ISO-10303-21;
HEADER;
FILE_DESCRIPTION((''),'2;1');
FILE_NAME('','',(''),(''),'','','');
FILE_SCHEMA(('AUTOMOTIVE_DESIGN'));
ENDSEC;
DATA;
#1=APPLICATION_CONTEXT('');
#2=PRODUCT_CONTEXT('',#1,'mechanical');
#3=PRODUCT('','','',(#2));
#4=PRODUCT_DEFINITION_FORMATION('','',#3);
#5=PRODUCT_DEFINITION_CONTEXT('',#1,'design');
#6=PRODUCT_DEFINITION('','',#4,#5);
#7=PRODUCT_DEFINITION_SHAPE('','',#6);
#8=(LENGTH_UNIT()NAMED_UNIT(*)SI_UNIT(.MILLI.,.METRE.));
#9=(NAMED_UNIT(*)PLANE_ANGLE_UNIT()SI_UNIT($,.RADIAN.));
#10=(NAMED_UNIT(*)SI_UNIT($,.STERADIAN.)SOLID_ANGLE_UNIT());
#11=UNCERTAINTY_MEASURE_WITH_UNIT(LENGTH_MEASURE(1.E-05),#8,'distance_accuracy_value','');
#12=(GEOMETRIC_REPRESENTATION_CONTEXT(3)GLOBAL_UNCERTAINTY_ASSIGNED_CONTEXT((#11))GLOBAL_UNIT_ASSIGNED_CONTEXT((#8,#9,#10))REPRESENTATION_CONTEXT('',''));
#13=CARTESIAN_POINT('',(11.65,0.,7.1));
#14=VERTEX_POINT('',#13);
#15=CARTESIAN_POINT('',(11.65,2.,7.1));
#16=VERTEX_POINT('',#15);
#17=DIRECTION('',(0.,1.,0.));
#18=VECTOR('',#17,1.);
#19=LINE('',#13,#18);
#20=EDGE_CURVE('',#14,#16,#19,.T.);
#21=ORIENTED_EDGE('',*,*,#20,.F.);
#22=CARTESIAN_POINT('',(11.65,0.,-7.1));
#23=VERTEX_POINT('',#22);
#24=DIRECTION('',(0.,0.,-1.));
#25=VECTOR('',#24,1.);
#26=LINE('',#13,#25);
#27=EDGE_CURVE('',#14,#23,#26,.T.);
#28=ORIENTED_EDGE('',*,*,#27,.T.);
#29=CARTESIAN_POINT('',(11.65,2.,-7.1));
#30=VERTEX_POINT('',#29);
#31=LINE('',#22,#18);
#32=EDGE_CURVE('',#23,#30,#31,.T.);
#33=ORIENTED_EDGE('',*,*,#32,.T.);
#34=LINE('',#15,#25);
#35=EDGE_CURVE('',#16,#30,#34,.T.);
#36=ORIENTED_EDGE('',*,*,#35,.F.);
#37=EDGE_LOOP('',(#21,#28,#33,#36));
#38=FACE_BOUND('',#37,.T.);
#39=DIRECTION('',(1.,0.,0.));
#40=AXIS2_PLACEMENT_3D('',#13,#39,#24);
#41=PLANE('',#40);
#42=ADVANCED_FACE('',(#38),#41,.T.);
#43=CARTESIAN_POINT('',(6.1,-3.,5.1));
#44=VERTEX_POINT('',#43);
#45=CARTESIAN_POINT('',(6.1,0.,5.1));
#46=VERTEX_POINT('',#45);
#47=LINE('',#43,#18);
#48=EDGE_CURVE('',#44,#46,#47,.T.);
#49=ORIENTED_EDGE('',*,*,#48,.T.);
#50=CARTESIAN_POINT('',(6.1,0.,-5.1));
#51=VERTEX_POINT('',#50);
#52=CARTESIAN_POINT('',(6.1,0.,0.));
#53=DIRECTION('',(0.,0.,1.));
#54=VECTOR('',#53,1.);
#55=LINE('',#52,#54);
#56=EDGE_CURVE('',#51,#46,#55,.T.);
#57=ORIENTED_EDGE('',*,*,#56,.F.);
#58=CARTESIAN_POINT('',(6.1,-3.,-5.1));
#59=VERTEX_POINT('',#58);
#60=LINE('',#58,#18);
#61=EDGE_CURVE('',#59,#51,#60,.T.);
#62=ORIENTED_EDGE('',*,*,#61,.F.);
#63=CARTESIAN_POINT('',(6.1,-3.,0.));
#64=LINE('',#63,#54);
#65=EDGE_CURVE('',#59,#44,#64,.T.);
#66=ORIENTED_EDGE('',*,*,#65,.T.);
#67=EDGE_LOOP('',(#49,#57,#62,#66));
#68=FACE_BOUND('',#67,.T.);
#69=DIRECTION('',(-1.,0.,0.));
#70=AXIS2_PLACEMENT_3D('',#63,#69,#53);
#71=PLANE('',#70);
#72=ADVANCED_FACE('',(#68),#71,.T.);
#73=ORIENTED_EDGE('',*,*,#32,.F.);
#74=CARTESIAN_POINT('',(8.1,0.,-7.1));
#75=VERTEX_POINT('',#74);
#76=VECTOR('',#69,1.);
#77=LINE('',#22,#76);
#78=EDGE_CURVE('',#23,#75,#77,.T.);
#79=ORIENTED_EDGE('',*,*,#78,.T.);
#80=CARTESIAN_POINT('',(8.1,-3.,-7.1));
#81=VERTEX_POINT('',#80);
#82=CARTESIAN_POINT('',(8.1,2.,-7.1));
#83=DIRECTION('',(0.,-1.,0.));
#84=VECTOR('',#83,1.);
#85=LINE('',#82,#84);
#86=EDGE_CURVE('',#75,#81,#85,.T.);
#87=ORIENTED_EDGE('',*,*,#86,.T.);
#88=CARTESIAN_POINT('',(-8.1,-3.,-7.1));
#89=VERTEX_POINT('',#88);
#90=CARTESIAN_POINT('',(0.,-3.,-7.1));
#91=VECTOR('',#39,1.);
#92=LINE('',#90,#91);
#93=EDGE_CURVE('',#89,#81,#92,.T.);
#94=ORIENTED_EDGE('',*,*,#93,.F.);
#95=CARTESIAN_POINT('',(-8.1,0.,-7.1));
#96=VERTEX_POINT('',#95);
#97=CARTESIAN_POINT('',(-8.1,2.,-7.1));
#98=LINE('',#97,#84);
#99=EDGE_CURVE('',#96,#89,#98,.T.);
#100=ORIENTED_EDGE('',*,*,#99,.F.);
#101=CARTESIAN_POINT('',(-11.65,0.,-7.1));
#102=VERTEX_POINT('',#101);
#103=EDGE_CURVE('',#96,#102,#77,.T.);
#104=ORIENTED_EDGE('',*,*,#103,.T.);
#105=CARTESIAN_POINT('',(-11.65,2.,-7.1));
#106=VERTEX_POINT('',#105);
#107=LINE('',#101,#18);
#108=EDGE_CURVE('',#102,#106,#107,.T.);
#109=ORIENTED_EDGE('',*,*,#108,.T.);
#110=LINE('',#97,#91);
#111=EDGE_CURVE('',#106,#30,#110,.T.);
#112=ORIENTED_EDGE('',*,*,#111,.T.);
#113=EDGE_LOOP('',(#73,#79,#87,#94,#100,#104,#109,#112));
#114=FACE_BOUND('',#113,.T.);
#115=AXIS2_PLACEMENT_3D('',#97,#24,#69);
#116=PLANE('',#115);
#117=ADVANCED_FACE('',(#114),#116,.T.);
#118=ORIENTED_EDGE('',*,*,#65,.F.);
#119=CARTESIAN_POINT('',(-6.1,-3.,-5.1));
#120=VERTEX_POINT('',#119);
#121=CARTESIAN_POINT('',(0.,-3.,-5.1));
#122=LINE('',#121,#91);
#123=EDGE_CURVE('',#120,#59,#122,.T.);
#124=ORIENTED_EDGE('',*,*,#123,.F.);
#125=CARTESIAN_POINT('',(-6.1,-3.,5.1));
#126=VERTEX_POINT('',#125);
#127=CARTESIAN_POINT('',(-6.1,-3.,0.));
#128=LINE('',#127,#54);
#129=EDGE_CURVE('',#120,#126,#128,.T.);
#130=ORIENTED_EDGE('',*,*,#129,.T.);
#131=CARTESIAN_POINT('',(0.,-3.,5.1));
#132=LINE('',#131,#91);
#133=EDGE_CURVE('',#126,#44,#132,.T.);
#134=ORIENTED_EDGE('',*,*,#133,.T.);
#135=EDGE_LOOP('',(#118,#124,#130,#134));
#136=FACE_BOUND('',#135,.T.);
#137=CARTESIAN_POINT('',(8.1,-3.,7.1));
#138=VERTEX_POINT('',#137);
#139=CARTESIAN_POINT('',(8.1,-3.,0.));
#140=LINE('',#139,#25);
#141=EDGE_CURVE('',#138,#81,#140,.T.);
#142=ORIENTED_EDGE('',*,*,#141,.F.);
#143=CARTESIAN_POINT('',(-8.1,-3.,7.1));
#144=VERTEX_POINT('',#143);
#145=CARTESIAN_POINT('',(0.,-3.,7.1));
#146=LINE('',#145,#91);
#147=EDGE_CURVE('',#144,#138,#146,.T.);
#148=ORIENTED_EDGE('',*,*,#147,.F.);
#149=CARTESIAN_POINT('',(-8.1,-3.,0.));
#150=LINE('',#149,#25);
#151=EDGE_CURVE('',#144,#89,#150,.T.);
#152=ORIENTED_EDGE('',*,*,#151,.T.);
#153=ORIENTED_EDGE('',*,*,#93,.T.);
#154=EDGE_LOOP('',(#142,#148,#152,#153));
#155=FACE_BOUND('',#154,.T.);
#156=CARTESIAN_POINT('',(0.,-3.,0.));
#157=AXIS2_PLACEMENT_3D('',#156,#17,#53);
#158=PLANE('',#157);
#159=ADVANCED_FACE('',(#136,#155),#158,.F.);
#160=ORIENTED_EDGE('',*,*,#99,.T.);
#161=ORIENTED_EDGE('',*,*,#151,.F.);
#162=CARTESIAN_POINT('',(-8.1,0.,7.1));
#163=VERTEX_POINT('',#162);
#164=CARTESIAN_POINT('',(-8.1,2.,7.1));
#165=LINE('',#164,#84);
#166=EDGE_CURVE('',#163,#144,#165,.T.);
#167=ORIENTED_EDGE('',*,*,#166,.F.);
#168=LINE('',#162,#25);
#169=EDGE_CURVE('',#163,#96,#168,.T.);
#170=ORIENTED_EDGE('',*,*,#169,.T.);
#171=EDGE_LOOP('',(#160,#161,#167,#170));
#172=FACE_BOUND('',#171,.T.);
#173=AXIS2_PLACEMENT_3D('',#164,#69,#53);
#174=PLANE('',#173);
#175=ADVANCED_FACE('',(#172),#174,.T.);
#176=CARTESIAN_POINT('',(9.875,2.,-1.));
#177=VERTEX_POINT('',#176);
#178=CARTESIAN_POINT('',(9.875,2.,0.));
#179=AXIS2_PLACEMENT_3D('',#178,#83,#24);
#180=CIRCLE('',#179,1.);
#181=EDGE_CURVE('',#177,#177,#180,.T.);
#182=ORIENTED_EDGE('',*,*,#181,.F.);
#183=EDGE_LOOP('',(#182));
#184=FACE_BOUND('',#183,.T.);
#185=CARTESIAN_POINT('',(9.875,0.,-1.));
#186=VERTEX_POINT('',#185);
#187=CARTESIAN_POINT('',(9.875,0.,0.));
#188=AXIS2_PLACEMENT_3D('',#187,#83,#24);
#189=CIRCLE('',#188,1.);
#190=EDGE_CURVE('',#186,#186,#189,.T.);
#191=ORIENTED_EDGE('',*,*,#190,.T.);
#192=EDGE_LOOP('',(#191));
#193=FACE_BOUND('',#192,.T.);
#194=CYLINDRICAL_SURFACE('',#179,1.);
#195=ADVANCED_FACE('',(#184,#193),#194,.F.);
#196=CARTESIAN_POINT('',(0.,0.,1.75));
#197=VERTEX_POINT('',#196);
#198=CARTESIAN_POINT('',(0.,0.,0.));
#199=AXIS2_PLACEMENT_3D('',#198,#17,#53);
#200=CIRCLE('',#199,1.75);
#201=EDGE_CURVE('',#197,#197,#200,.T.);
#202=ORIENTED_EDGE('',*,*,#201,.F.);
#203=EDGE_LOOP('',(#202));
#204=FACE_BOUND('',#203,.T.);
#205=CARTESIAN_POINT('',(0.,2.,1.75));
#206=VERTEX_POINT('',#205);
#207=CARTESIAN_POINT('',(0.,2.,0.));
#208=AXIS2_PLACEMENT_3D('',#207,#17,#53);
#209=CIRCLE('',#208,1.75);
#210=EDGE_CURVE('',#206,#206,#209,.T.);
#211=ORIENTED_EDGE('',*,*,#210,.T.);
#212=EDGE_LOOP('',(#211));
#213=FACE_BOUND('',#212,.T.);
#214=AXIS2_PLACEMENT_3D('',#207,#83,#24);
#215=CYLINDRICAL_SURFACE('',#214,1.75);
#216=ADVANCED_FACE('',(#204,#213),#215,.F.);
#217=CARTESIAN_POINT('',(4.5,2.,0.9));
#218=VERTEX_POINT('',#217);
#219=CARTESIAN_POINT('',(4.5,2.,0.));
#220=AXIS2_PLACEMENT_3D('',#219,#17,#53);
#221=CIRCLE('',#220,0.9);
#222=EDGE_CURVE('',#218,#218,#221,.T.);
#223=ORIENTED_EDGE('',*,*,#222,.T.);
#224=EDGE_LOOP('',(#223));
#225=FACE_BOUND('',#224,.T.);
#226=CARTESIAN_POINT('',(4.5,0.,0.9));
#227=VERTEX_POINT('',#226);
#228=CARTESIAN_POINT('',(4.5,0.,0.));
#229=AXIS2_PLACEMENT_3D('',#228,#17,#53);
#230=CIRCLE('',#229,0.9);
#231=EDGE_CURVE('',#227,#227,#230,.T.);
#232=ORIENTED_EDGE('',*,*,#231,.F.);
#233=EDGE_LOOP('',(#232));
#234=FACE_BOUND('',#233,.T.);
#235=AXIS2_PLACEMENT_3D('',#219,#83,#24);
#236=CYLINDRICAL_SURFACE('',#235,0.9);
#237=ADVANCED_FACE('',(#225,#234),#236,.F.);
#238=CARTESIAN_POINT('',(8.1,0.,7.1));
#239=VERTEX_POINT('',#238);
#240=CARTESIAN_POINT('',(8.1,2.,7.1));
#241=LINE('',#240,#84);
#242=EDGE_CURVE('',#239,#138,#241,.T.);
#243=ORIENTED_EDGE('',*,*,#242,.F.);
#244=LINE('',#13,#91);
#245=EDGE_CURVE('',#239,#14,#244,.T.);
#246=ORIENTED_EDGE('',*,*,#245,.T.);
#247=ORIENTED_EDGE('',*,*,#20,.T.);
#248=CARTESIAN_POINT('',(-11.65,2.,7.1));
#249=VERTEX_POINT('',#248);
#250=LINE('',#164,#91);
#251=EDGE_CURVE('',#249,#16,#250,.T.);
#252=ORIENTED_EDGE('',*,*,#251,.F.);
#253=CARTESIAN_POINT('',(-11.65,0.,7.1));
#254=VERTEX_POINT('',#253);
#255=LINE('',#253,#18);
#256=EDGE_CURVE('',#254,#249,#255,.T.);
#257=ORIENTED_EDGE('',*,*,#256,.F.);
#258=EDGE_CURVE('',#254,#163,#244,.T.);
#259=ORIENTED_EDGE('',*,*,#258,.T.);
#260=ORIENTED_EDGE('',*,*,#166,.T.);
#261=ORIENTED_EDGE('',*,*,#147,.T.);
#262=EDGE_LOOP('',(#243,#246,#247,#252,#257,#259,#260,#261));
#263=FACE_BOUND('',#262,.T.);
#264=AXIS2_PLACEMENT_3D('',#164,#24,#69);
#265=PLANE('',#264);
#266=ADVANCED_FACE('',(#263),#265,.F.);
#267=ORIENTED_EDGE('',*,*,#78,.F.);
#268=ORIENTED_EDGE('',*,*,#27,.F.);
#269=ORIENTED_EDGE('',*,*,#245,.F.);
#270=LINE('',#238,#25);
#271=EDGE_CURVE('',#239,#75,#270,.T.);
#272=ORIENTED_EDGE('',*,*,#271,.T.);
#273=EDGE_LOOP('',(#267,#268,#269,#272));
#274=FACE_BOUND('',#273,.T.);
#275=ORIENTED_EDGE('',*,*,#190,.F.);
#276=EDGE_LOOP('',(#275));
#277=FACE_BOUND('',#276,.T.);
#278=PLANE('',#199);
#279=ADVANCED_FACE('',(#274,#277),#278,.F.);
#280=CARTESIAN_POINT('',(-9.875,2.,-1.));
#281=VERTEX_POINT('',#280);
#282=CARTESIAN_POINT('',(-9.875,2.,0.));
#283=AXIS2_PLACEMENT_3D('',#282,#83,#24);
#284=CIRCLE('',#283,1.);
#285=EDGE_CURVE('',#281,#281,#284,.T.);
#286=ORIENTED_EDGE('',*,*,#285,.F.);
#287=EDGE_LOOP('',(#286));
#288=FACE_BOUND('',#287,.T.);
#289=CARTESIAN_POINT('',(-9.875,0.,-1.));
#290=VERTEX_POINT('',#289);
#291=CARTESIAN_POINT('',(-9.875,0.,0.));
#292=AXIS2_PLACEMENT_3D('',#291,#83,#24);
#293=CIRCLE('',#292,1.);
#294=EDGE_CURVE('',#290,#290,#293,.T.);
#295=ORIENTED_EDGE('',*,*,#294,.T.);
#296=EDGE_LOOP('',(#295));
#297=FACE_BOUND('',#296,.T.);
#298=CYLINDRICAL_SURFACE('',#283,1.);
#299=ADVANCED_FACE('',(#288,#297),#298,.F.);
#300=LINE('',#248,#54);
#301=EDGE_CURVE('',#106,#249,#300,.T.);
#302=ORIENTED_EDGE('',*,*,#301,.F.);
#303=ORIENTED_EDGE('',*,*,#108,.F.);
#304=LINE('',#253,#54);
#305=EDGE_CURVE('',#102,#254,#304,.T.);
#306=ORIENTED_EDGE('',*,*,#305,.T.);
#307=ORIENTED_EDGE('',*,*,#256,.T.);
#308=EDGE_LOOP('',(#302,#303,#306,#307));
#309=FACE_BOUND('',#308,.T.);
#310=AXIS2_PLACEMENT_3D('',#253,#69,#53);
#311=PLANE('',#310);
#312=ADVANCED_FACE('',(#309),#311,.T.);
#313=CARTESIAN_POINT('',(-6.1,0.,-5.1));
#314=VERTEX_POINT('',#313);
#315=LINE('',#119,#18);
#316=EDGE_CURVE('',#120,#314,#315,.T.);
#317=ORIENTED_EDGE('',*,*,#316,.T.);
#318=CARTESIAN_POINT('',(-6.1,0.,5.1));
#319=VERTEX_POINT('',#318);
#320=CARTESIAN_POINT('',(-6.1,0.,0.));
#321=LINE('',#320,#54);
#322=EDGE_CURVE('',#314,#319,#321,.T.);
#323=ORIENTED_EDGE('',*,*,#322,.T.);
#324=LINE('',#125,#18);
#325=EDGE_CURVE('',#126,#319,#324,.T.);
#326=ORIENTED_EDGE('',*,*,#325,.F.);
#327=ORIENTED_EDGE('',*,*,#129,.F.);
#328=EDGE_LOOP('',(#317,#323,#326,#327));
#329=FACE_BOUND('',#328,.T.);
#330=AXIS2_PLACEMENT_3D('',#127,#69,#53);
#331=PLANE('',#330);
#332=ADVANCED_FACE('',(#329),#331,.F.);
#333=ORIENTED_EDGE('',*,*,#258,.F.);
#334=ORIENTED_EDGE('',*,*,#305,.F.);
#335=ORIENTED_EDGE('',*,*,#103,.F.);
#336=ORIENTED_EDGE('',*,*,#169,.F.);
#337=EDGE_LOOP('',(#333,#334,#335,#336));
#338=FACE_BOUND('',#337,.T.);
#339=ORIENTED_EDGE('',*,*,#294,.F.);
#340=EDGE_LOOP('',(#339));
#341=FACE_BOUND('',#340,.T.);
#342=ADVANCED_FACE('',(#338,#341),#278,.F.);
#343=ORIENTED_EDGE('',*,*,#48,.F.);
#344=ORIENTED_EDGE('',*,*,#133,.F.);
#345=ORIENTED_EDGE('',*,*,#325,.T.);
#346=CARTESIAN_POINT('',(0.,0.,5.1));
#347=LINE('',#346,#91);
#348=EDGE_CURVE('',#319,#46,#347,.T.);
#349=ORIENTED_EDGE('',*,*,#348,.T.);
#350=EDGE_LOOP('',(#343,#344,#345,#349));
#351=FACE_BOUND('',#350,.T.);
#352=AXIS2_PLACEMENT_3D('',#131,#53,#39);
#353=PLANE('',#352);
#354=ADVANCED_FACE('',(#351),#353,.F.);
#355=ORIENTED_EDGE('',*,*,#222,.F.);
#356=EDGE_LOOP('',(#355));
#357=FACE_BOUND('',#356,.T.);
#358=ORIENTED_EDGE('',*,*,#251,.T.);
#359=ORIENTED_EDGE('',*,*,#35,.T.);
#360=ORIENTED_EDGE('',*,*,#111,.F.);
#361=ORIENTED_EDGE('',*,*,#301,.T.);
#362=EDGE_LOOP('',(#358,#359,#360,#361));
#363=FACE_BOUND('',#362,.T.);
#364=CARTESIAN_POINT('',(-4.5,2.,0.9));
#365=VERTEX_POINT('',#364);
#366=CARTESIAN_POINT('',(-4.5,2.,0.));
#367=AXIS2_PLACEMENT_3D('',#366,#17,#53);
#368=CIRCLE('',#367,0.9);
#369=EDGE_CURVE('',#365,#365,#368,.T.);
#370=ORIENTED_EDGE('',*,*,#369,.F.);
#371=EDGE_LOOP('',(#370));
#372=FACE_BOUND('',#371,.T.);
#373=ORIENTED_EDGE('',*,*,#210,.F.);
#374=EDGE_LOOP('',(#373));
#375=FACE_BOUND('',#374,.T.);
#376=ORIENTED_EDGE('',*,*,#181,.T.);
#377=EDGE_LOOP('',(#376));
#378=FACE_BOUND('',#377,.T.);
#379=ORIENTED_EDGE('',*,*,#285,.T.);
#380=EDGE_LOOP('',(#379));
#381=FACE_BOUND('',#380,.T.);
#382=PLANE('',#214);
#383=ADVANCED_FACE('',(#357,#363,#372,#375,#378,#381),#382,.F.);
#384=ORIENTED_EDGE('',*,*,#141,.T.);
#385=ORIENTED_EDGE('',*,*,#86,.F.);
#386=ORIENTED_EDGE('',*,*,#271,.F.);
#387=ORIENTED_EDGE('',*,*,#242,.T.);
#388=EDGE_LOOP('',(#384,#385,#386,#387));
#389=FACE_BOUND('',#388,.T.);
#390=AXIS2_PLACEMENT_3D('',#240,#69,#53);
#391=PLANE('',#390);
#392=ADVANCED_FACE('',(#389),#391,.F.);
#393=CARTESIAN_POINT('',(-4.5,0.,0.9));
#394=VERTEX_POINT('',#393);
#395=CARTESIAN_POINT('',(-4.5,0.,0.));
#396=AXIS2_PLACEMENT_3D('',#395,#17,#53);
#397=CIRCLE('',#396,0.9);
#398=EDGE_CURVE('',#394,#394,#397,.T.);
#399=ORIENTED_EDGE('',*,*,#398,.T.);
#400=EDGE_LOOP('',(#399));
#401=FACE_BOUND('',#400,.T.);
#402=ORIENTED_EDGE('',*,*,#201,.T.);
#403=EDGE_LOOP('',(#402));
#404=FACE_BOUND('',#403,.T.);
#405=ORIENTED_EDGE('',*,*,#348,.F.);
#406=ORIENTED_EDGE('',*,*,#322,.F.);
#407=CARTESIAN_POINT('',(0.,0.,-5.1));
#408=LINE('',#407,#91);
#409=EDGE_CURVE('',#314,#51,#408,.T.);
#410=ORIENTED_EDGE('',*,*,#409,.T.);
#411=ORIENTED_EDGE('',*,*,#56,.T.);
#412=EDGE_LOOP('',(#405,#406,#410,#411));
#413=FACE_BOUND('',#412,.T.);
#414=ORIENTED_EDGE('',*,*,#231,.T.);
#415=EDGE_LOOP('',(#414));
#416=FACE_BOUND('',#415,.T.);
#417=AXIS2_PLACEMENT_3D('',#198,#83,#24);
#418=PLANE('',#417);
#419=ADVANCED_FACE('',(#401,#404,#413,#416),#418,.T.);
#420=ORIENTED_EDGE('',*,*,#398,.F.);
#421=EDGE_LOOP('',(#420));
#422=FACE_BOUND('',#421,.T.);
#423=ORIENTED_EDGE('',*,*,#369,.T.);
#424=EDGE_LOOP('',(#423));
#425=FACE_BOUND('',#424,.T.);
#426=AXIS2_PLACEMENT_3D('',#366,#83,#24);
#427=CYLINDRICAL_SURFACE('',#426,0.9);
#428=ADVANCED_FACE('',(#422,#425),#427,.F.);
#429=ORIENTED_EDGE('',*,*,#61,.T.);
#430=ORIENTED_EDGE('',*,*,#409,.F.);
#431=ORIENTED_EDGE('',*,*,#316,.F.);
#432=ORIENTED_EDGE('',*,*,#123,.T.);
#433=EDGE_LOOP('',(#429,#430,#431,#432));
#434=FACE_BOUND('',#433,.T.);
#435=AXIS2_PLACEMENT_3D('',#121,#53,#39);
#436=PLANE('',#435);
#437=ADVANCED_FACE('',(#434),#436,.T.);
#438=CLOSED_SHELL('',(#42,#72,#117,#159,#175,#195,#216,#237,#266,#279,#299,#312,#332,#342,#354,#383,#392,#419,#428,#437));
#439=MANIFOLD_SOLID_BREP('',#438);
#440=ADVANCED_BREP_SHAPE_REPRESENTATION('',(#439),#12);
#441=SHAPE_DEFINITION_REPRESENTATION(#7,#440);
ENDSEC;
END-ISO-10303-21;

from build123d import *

# Parameters (mm, degrees)
SKETCH_4_W          = 16.2
SKETCH_4_H          = 14.2
SKETCH_4_R          = 0.9
SKETCH_4_R_2        = 1.75
EXTRUDE_1_DEPTH     = 2
SKETCH_4_8_W        = 16.2
SKETCH_4_8_H        = 14.2
SKETCH_4_8_W_2      = 12.2
SKETCH_4_8_H_2      = 10.2
EXTRUDE_2_DEPTH     = 3
SKETCH_5_W          = 23.3
SKETCH_5_H          = 14.2
SKETCH_5_W_2        = 12.2
SKETCH_5_H_2        = 10.2
EXTRUDE_3_DEPTH     = 2
SKETCH_6_R          = 1
CUT_EXTRUDE_1_DEPTH = 14.968983499


with BuildPart() as part:
    # 草图4 → 凸台-拉伸1 (new body)
    with BuildSketch(Plane(origin=(0, 0, 0), x_dir=(1, 0, 0), z_dir=(0, 1, 0))):
        Rectangle(SKETCH_4_W, SKETCH_4_H)
        with Locations((4.5, 0)):
            Circle(SKETCH_4_R, mode=Mode.SUBTRACT)
        with Locations((-4.5, 0)):
            Circle(SKETCH_4_R, mode=Mode.SUBTRACT)
        Circle(SKETCH_4_R_2, mode=Mode.SUBTRACT)
    extrude(amount=EXTRUDE_1_DEPTH)

    # 草图4<8> → 凸台-拉伸2 (add)
    with BuildSketch(Plane(origin=(0, 0, 0), x_dir=(1, 0, 0), z_dir=(0, 1, 0))):
        Rectangle(SKETCH_4_8_W, SKETCH_4_8_H)
        Rectangle(SKETCH_4_8_W_2, SKETCH_4_8_H_2, mode=Mode.SUBTRACT)
    extrude(amount=-EXTRUDE_2_DEPTH)

    # 草图5 → 凸台-拉伸3 (add)
    with BuildSketch(Plane(origin=(0, 2, 0), x_dir=(1, 0, 0), z_dir=(0, 1, 0))):
        Rectangle(SKETCH_5_W, SKETCH_5_H)
        Rectangle(SKETCH_5_W_2, SKETCH_5_H_2, mode=Mode.SUBTRACT)
    extrude(amount=-EXTRUDE_3_DEPTH)

    # 草图6 → 切除-拉伸1 (cut, through all)
    with BuildSketch(Plane(origin=(0, 0, 0), x_dir=(-1, 0, 0), z_dir=(0, -1, 0))):
        with Locations((-9.875, 0)):
            Circle(SKETCH_6_R)
        with Locations((9.875, 0)):
            Circle(SKETCH_6_R)
    extrude(amount=-CUT_EXTRUDE_1_DEPTH, mode=Mode.SUBTRACT)


solid = part.part
